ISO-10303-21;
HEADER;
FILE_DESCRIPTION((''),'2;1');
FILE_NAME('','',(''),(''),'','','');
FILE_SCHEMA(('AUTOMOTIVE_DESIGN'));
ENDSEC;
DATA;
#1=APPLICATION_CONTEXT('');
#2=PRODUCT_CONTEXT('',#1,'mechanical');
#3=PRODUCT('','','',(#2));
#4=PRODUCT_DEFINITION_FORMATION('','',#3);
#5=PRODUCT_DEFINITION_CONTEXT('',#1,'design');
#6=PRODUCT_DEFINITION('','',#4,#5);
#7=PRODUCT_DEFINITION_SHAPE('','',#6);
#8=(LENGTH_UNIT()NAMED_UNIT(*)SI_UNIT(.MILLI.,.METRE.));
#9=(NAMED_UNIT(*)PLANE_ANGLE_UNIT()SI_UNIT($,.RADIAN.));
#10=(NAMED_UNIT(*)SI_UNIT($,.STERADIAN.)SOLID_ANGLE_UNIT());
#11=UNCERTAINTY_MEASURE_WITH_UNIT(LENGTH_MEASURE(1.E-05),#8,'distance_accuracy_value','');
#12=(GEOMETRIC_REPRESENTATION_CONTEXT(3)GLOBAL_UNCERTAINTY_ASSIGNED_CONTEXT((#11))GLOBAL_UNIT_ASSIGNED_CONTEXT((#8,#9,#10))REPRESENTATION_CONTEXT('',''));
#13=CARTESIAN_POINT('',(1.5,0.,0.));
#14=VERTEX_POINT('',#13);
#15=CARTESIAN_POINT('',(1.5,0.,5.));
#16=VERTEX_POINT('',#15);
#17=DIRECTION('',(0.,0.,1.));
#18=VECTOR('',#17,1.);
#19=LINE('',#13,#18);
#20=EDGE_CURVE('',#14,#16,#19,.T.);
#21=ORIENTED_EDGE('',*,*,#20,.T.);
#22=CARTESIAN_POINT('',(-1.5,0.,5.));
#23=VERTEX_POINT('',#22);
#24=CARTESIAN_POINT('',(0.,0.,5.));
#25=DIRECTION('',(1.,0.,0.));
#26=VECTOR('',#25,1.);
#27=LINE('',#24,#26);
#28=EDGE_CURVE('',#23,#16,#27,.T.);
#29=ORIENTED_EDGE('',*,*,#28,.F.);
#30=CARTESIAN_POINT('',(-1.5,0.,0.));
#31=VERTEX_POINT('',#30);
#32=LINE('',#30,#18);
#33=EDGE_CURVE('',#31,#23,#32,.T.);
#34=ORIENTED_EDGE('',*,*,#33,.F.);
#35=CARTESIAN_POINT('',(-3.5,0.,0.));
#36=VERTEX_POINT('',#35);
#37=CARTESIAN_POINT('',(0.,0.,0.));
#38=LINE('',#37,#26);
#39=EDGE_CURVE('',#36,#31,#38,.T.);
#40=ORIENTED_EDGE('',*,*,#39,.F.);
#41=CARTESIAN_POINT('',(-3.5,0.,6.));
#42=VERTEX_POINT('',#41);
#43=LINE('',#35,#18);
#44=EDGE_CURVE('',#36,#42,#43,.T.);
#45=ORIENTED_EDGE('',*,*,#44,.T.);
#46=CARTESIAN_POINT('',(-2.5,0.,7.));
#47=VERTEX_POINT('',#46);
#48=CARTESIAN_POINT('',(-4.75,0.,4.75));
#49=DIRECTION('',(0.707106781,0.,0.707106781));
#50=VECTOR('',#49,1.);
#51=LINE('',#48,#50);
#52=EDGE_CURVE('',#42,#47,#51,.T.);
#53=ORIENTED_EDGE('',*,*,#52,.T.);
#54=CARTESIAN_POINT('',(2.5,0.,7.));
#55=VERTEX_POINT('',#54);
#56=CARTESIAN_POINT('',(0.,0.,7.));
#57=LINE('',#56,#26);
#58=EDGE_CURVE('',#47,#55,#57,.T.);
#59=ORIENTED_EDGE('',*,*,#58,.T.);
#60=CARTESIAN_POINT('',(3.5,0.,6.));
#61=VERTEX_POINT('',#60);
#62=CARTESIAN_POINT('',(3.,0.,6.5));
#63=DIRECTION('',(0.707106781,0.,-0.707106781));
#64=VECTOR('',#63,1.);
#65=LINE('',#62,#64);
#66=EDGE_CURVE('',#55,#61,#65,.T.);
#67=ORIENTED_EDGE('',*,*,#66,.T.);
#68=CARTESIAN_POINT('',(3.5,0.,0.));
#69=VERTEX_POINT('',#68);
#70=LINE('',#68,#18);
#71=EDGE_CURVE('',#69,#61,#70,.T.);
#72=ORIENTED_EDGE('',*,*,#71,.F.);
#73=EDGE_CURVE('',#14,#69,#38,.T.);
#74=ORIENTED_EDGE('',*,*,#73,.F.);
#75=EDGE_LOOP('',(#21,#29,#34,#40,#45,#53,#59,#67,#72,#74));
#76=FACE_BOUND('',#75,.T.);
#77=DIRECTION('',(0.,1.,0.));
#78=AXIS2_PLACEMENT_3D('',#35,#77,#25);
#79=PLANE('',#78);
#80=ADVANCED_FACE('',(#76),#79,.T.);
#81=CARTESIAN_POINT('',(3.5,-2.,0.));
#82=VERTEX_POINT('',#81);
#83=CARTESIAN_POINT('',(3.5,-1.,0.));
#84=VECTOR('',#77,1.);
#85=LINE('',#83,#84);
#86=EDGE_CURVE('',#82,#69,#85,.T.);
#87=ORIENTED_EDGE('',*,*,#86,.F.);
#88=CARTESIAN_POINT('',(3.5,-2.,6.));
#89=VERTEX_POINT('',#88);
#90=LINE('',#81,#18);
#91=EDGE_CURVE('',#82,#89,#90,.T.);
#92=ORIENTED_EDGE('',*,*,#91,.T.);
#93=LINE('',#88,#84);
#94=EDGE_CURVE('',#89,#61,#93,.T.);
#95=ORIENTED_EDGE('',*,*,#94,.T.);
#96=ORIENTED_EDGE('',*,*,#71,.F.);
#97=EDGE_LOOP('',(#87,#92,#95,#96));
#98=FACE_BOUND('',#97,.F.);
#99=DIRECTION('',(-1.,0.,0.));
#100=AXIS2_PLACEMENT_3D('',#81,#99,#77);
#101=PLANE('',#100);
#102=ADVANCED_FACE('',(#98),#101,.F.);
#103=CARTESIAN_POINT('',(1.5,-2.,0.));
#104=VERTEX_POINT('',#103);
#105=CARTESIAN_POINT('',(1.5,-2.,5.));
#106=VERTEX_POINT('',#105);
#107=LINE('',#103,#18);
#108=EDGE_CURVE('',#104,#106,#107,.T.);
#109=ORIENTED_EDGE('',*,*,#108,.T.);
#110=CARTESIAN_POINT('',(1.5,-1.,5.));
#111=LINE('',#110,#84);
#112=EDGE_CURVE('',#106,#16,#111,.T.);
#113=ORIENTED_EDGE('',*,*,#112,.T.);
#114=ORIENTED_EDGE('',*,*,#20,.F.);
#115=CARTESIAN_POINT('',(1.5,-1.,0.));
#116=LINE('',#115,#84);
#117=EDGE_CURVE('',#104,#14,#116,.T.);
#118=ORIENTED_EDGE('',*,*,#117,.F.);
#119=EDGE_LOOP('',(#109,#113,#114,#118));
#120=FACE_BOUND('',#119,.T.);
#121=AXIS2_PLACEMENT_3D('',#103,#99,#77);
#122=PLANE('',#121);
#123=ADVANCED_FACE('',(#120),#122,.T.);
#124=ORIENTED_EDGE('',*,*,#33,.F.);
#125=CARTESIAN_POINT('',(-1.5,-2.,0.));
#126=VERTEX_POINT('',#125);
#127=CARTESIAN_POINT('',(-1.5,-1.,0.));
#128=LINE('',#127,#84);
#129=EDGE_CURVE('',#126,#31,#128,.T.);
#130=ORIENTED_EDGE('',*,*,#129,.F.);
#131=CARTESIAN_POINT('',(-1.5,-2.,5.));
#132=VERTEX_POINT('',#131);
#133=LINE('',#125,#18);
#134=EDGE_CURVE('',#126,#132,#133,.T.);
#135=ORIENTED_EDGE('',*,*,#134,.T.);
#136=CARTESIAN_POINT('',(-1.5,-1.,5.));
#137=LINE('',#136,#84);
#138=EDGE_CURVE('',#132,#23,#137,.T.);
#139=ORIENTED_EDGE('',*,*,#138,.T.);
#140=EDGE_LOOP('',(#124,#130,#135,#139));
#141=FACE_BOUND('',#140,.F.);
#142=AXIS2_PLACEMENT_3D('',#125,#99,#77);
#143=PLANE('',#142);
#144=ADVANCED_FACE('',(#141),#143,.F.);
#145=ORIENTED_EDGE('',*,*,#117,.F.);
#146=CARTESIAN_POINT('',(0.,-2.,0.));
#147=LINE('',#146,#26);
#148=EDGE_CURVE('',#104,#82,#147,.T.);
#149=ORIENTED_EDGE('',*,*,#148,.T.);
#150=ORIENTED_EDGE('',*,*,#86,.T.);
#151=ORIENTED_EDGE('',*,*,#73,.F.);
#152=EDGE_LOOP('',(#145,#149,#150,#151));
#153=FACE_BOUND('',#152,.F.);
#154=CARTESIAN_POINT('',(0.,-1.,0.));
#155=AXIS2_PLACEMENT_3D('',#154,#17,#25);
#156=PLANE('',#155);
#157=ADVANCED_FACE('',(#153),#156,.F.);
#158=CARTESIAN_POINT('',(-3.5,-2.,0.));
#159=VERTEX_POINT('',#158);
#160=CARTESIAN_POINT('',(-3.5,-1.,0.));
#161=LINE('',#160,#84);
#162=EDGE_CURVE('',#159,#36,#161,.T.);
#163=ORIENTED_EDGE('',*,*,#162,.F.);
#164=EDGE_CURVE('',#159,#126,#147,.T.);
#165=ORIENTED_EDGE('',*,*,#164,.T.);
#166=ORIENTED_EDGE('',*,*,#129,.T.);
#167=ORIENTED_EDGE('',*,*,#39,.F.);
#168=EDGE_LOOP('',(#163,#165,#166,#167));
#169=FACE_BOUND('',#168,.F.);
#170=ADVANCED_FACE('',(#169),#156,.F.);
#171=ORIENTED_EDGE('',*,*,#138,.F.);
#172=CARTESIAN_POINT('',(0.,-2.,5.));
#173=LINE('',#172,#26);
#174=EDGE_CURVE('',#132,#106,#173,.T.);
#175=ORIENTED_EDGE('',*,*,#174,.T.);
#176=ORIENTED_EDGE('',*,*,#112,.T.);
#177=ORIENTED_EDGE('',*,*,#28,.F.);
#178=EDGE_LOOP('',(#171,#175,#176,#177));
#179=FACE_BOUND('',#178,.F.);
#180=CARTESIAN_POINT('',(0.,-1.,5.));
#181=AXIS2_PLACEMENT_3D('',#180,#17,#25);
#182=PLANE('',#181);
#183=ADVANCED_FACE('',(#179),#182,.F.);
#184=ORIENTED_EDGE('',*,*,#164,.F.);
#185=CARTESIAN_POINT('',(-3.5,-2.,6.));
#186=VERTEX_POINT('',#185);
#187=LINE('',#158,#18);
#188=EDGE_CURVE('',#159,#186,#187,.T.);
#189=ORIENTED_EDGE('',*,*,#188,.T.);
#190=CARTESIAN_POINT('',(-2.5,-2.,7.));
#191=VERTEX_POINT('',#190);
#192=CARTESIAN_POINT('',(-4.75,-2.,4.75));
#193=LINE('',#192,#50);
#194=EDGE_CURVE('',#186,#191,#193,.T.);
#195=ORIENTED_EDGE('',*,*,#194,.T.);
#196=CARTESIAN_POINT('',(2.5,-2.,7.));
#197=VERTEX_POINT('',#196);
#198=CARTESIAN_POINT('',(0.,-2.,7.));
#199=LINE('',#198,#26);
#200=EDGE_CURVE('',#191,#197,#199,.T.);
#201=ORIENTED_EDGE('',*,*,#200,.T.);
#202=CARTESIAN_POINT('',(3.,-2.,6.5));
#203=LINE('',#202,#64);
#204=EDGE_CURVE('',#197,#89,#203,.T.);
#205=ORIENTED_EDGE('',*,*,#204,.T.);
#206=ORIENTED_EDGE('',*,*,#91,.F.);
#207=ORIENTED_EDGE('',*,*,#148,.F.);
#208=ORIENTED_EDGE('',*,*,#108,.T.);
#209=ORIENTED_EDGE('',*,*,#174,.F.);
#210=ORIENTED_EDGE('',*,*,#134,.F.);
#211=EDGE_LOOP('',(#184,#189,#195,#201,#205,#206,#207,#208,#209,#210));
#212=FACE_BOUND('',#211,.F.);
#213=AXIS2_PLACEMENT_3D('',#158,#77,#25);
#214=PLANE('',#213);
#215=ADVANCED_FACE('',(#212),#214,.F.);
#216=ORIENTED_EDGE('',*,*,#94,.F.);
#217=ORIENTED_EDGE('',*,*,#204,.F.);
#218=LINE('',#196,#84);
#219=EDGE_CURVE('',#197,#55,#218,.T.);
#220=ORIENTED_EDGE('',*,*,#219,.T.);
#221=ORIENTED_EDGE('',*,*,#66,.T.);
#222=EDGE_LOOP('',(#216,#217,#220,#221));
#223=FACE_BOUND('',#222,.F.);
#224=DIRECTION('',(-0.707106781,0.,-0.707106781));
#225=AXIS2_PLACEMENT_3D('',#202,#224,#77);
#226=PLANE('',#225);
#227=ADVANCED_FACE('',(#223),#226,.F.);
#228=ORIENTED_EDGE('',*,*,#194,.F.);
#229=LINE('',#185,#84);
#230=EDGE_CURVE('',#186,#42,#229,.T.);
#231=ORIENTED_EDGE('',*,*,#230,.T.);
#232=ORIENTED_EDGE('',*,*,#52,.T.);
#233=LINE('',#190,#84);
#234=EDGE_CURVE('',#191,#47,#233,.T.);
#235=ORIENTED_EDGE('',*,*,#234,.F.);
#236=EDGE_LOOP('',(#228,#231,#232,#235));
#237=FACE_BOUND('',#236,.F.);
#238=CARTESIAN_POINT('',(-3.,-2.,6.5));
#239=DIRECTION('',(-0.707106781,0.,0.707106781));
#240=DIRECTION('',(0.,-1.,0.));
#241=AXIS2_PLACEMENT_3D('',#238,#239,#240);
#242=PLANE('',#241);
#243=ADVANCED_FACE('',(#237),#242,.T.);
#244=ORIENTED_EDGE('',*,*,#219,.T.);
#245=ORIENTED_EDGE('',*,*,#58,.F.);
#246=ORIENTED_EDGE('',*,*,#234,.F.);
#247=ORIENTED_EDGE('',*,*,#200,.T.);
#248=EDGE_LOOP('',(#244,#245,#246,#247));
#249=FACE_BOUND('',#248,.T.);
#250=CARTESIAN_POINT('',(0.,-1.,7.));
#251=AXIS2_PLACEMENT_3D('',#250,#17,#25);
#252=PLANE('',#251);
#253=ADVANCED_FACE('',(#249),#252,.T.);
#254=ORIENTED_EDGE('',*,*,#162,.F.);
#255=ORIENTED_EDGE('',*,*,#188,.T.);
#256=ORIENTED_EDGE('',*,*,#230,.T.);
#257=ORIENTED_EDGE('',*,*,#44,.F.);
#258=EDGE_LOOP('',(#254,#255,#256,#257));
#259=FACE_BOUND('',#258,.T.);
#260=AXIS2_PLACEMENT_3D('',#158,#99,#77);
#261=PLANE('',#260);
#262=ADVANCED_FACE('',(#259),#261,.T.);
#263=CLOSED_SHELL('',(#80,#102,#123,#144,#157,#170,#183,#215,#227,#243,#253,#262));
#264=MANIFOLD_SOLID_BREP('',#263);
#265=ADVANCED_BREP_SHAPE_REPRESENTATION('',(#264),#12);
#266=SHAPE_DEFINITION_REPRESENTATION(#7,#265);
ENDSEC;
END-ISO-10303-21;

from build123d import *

# Parameters (mm, degrees)
BOX003_W              = 3
BOX003_H              = 2
BOX003_DEPTH          = 5
BOX002_W              = 7
BOX002_H              = 2
BOX002_DEPTH          = 7
CHAMFER007001002_SIZE = 1


with BuildPart() as cube003:
    # Box003 → Box003 (new body)
    with BuildSketch(Plane(origin=(-1.5, -2, 0), x_dir=(1, 0, 0), z_dir=(0, 0, 1))):
        with Locations((1.5, 1)):
            Rectangle(BOX003_W, BOX003_H)
    extrude(amount=BOX003_DEPTH)


with BuildPart() as chamfer007001002:
    # Box002 → Box002 (new body)
    with BuildSketch(Plane(origin=(-3.5, -2, 0), x_dir=(1, 0, 0), z_dir=(0, 0, 1))):
        with Locations((3.5, 1)):
            Rectangle(BOX002_W, BOX002_H)
    extrude(amount=BOX002_DEPTH)

    # Cut001002: cut Cube003
    add(cube003.part, mode=Mode.SUBTRACT)

    # Chamfer007001002
    chamfer007001002_edges = [chamfer007001002.edges().sort_by_distance(p)[0] for p in [
        (-3.5, -1, 7),
        (3.5, -1, 7),
    ]]
    chamfer(chamfer007001002_edges, length=CHAMFER007001002_SIZE)


solid = chamfer007001002.part
